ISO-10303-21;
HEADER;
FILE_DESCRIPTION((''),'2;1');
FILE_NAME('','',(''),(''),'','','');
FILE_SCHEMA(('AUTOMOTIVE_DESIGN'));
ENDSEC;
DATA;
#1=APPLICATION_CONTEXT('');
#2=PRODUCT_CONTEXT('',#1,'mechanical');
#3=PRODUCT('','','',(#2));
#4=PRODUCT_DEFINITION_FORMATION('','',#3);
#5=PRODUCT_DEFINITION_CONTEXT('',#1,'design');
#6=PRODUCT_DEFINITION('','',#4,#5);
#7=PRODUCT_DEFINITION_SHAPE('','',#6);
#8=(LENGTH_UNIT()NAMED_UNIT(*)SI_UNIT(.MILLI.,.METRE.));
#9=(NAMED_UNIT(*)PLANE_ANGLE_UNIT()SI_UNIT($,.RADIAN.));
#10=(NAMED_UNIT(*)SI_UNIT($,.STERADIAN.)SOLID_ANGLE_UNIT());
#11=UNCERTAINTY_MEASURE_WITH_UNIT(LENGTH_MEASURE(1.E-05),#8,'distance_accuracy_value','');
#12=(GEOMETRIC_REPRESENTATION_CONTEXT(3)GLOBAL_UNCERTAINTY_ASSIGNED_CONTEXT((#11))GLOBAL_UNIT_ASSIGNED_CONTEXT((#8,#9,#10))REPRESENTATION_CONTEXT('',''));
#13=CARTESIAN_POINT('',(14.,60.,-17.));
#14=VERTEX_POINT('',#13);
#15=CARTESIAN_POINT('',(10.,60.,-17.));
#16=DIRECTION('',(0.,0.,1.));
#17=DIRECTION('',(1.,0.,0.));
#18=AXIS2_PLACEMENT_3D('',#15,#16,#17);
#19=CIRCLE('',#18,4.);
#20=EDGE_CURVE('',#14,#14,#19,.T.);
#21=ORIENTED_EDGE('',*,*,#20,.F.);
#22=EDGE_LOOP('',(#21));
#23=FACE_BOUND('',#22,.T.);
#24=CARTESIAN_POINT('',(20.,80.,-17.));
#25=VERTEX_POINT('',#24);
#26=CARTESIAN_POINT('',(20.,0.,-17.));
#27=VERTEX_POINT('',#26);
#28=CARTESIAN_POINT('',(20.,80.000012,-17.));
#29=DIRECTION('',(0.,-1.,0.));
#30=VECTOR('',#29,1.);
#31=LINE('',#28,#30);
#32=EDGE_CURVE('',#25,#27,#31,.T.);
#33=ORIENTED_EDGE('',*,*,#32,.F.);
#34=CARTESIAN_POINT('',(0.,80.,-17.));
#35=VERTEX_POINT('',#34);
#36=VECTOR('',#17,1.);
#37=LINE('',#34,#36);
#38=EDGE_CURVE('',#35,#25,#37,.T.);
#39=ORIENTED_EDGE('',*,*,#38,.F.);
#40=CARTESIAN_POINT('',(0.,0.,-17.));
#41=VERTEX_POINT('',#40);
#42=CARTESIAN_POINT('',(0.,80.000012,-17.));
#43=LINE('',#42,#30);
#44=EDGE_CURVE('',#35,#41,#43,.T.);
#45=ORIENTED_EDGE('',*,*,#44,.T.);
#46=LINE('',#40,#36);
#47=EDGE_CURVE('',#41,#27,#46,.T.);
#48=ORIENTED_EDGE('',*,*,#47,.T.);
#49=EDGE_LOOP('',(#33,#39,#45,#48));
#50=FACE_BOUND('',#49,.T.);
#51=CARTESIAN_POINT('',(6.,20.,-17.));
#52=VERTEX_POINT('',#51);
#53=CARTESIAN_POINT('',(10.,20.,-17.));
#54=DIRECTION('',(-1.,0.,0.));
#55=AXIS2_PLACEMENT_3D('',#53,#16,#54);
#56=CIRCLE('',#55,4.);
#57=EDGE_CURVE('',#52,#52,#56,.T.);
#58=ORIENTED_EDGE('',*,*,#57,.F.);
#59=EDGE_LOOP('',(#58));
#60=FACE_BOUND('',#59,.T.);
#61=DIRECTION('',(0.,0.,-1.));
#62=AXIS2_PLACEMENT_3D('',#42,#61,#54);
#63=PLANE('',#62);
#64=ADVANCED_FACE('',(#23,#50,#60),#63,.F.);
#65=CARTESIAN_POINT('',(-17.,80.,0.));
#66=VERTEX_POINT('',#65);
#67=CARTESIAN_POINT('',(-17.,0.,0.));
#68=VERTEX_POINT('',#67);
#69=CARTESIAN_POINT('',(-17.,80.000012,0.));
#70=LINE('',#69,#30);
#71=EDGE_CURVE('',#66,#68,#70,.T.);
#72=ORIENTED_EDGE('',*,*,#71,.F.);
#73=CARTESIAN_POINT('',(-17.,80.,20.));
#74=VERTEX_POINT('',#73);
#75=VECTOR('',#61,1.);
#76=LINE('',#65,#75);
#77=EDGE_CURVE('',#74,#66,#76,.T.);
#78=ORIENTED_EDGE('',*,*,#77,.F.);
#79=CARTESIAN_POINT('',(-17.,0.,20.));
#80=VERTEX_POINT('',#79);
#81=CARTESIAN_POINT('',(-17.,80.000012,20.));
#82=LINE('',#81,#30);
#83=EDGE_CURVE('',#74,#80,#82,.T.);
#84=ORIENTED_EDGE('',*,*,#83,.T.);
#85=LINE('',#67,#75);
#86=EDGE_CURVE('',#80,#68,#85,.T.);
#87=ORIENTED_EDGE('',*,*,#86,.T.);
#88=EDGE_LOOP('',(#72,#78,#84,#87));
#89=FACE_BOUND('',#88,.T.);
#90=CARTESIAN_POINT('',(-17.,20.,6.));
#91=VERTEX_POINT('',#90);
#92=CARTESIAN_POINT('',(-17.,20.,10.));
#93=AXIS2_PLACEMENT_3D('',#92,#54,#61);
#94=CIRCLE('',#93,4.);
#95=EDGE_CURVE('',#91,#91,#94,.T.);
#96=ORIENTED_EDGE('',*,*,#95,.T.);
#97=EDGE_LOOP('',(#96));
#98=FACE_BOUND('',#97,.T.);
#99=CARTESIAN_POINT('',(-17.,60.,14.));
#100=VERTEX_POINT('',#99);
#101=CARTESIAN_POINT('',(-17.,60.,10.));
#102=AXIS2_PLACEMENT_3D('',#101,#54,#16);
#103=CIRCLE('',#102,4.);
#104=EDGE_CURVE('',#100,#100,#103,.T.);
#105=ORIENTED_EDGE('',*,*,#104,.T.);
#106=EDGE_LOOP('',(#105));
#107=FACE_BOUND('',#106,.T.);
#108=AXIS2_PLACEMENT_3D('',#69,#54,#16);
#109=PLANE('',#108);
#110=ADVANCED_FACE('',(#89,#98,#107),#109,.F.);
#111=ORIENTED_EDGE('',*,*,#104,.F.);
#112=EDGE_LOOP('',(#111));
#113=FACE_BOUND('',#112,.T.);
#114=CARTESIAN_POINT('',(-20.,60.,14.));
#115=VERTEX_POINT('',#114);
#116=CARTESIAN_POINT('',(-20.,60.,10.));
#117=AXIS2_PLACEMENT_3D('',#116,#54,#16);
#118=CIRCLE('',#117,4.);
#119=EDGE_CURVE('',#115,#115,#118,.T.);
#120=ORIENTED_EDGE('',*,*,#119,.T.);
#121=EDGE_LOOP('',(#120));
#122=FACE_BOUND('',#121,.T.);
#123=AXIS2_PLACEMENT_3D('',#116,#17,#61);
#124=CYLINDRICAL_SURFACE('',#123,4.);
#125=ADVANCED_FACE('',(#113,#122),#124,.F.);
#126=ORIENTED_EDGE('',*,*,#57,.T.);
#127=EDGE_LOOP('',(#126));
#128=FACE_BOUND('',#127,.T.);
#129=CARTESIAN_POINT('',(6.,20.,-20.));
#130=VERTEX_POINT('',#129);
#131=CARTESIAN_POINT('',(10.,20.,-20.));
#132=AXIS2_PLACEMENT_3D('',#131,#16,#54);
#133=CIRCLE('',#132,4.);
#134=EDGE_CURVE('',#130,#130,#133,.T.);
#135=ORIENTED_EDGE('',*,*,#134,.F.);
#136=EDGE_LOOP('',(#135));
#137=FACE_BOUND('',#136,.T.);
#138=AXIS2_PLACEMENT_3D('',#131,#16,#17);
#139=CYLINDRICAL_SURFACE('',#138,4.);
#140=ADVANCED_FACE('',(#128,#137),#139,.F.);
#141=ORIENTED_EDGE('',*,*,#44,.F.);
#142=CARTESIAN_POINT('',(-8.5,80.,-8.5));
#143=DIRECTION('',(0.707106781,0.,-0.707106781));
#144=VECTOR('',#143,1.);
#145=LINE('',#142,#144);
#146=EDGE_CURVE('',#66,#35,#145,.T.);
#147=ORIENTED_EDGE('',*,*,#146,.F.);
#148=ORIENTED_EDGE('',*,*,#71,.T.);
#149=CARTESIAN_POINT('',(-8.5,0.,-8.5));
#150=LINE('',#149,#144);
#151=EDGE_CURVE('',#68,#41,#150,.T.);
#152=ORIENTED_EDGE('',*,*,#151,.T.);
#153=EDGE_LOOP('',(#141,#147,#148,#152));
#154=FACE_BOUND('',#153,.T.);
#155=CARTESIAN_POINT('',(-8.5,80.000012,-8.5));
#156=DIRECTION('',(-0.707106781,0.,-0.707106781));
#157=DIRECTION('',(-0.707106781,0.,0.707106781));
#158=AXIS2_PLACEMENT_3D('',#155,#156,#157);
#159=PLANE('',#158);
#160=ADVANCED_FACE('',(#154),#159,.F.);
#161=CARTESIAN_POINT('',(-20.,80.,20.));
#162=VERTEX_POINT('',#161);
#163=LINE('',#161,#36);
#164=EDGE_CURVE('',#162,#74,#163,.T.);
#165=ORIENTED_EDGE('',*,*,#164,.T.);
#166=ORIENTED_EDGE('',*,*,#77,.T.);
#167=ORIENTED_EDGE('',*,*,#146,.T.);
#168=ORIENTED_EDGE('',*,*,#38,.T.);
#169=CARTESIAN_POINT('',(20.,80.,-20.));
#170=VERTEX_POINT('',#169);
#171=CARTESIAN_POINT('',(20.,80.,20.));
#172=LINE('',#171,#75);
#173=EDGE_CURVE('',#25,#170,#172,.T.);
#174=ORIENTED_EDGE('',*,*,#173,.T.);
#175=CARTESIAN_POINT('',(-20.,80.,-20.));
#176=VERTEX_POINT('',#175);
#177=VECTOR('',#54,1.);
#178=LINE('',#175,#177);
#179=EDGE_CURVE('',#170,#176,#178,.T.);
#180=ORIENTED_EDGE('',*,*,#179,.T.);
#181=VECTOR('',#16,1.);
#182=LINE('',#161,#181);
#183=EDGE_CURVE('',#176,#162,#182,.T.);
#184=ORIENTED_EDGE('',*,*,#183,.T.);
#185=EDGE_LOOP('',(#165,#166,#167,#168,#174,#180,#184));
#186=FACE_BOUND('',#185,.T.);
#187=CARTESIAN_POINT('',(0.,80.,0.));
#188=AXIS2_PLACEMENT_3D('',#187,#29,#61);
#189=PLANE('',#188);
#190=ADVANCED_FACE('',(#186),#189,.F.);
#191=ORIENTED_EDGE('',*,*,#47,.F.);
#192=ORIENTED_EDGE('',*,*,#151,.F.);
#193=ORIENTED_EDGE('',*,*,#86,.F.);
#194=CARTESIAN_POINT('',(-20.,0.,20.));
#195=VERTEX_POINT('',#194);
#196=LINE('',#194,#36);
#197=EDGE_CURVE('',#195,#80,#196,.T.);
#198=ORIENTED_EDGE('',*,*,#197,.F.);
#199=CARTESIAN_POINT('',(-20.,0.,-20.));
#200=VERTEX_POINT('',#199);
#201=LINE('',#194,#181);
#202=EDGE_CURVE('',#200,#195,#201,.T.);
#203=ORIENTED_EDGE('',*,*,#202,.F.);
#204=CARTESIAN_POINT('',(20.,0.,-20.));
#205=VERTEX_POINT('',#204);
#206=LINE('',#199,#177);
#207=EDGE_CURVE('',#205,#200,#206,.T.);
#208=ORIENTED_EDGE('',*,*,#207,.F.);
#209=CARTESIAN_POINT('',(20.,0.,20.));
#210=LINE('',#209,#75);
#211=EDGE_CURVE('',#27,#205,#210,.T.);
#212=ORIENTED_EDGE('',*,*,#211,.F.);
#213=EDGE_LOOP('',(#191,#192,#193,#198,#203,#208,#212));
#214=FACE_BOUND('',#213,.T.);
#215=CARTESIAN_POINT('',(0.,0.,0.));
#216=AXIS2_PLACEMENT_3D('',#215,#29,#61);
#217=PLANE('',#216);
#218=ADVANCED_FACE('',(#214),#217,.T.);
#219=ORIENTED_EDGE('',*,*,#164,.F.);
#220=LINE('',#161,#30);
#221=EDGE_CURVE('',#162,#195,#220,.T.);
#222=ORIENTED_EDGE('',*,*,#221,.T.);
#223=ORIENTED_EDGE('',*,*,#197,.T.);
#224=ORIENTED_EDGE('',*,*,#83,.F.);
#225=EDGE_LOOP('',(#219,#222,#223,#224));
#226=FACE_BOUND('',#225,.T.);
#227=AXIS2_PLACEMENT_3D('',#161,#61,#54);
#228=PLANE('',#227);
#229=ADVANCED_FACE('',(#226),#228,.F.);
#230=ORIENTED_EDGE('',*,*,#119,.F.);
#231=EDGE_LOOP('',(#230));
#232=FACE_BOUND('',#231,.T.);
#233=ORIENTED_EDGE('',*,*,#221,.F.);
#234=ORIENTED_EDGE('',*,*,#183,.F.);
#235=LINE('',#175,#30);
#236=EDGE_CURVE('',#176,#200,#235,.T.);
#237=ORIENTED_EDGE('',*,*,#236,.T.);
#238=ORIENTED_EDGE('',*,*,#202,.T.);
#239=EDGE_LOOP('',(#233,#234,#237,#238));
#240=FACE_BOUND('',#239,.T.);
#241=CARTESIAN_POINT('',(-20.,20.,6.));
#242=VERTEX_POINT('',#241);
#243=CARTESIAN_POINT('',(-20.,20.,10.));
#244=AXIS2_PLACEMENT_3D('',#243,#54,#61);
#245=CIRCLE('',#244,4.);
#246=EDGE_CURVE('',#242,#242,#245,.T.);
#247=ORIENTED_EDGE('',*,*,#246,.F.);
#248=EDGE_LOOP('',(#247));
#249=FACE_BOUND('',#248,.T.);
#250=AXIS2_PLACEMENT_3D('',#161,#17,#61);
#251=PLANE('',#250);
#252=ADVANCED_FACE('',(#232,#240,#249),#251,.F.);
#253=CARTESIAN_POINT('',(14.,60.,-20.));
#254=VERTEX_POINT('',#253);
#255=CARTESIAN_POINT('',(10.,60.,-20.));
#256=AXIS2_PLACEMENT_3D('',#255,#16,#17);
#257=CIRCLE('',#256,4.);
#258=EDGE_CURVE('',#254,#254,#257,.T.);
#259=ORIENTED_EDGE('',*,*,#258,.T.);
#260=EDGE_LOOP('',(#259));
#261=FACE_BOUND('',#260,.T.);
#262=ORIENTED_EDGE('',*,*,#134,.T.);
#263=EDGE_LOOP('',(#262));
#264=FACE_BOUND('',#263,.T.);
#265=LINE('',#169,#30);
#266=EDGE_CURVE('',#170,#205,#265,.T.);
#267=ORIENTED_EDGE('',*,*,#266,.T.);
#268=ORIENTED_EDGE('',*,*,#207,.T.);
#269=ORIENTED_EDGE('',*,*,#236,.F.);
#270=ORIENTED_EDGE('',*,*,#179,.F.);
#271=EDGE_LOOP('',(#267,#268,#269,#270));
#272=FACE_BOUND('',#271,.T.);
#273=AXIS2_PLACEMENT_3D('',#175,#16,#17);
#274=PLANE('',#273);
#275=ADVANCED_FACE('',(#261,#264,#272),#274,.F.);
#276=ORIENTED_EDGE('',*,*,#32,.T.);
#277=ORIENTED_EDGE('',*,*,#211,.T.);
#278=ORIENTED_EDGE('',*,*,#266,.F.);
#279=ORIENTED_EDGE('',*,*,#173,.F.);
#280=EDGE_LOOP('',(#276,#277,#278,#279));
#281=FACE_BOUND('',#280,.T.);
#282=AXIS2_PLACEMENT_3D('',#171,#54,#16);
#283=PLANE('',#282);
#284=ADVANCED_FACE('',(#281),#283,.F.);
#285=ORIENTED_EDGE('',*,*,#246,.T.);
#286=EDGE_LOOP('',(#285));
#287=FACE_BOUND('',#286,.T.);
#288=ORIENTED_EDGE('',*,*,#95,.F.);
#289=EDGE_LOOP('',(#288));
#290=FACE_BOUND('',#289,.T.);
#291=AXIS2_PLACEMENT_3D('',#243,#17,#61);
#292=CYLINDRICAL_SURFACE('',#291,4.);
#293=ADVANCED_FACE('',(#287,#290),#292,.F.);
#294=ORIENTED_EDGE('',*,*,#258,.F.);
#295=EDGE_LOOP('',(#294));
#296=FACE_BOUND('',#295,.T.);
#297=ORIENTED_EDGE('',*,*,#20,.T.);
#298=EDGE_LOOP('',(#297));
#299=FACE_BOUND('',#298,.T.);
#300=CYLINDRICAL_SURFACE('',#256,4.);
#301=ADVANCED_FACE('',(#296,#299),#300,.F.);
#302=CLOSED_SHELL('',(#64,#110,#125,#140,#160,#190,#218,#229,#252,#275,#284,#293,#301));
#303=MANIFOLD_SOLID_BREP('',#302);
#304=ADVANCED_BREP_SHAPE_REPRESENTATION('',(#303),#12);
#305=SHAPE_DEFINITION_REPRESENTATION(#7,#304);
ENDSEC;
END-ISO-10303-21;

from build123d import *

# Parameters (mm, degrees)
SZKIC1_W                        = 40
SZKIC1_H                        = 40
DODANIE_WYCI_GNI_CIE1_DEPTH     = 80
WYTNIJ_WYCI_GNI_CIE2_DEPTH      = 85.852813742
WYTNIJ_WYCI_GNI_CIE2_DEPTH_BACK = 80
SZKIC3_R                        = 4
WYTNIJ_WYCI_GNI_CIE3_DEPTH      = 91.382520434


with BuildPart() as part:
    # Szkic1 → Dodanie-wyciągnięcie1 (new body)
    with BuildSketch(Plane(origin=(0, 0, 0), x_dir=(1, 0, 0), z_dir=(0, 1, 0))):
        Rectangle(SZKIC1_W, SZKIC1_H)
    extrude(amount=DODANIE_WYCI_GNI_CIE1_DEPTH)

    # Szkic2 → Wytnij-wyciągnięcie2 (cut, two sides: drawn at the far end of the back side and taken through both)
    with BuildSketch(Plane(origin=(0, 80, 0), x_dir=(1, 0, 0), z_dir=(0, 1, 0)).offset(-WYTNIJ_WYCI_GNI_CIE2_DEPTH_BACK)):
        Polygon((-17, 0), (-17, -20), (20, -20), (20, 17), (0, 17), align=None)
    extrude(amount=WYTNIJ_WYCI_GNI_CIE2_DEPTH + WYTNIJ_WYCI_GNI_CIE2_DEPTH_BACK, mode=Mode.SUBTRACT)

    # Szkic3 → Wytnij-wyciągnięcie3 (cut, through all)
    with BuildSketch(Plane.XY.offset(-17)):
        with Locations((10, 60)):
            Circle(SZKIC3_R)
        with Locations(Location((10, 20, 0), (0, 0, 180))):
            Circle(SZKIC3_R)
    wytnij_wyci_gni_cie3 = extrude(amount=-WYTNIJ_WYCI_GNI_CIE3_DEPTH, mode=Mode.SUBTRACT)

    # Lustro1: Wytnij-wyciągnięcie3 across plane
    add(wytnij_wyci_gni_cie3.mirror(Plane(origin=(0, 0, 0), x_dir=(0.7071067811865476, 0, 0.7071067811865475), z_dir=(-0.7071067811865475, 0, 0.7071067811865476))), mode=Mode.SUBTRACT)


solid = part.part
